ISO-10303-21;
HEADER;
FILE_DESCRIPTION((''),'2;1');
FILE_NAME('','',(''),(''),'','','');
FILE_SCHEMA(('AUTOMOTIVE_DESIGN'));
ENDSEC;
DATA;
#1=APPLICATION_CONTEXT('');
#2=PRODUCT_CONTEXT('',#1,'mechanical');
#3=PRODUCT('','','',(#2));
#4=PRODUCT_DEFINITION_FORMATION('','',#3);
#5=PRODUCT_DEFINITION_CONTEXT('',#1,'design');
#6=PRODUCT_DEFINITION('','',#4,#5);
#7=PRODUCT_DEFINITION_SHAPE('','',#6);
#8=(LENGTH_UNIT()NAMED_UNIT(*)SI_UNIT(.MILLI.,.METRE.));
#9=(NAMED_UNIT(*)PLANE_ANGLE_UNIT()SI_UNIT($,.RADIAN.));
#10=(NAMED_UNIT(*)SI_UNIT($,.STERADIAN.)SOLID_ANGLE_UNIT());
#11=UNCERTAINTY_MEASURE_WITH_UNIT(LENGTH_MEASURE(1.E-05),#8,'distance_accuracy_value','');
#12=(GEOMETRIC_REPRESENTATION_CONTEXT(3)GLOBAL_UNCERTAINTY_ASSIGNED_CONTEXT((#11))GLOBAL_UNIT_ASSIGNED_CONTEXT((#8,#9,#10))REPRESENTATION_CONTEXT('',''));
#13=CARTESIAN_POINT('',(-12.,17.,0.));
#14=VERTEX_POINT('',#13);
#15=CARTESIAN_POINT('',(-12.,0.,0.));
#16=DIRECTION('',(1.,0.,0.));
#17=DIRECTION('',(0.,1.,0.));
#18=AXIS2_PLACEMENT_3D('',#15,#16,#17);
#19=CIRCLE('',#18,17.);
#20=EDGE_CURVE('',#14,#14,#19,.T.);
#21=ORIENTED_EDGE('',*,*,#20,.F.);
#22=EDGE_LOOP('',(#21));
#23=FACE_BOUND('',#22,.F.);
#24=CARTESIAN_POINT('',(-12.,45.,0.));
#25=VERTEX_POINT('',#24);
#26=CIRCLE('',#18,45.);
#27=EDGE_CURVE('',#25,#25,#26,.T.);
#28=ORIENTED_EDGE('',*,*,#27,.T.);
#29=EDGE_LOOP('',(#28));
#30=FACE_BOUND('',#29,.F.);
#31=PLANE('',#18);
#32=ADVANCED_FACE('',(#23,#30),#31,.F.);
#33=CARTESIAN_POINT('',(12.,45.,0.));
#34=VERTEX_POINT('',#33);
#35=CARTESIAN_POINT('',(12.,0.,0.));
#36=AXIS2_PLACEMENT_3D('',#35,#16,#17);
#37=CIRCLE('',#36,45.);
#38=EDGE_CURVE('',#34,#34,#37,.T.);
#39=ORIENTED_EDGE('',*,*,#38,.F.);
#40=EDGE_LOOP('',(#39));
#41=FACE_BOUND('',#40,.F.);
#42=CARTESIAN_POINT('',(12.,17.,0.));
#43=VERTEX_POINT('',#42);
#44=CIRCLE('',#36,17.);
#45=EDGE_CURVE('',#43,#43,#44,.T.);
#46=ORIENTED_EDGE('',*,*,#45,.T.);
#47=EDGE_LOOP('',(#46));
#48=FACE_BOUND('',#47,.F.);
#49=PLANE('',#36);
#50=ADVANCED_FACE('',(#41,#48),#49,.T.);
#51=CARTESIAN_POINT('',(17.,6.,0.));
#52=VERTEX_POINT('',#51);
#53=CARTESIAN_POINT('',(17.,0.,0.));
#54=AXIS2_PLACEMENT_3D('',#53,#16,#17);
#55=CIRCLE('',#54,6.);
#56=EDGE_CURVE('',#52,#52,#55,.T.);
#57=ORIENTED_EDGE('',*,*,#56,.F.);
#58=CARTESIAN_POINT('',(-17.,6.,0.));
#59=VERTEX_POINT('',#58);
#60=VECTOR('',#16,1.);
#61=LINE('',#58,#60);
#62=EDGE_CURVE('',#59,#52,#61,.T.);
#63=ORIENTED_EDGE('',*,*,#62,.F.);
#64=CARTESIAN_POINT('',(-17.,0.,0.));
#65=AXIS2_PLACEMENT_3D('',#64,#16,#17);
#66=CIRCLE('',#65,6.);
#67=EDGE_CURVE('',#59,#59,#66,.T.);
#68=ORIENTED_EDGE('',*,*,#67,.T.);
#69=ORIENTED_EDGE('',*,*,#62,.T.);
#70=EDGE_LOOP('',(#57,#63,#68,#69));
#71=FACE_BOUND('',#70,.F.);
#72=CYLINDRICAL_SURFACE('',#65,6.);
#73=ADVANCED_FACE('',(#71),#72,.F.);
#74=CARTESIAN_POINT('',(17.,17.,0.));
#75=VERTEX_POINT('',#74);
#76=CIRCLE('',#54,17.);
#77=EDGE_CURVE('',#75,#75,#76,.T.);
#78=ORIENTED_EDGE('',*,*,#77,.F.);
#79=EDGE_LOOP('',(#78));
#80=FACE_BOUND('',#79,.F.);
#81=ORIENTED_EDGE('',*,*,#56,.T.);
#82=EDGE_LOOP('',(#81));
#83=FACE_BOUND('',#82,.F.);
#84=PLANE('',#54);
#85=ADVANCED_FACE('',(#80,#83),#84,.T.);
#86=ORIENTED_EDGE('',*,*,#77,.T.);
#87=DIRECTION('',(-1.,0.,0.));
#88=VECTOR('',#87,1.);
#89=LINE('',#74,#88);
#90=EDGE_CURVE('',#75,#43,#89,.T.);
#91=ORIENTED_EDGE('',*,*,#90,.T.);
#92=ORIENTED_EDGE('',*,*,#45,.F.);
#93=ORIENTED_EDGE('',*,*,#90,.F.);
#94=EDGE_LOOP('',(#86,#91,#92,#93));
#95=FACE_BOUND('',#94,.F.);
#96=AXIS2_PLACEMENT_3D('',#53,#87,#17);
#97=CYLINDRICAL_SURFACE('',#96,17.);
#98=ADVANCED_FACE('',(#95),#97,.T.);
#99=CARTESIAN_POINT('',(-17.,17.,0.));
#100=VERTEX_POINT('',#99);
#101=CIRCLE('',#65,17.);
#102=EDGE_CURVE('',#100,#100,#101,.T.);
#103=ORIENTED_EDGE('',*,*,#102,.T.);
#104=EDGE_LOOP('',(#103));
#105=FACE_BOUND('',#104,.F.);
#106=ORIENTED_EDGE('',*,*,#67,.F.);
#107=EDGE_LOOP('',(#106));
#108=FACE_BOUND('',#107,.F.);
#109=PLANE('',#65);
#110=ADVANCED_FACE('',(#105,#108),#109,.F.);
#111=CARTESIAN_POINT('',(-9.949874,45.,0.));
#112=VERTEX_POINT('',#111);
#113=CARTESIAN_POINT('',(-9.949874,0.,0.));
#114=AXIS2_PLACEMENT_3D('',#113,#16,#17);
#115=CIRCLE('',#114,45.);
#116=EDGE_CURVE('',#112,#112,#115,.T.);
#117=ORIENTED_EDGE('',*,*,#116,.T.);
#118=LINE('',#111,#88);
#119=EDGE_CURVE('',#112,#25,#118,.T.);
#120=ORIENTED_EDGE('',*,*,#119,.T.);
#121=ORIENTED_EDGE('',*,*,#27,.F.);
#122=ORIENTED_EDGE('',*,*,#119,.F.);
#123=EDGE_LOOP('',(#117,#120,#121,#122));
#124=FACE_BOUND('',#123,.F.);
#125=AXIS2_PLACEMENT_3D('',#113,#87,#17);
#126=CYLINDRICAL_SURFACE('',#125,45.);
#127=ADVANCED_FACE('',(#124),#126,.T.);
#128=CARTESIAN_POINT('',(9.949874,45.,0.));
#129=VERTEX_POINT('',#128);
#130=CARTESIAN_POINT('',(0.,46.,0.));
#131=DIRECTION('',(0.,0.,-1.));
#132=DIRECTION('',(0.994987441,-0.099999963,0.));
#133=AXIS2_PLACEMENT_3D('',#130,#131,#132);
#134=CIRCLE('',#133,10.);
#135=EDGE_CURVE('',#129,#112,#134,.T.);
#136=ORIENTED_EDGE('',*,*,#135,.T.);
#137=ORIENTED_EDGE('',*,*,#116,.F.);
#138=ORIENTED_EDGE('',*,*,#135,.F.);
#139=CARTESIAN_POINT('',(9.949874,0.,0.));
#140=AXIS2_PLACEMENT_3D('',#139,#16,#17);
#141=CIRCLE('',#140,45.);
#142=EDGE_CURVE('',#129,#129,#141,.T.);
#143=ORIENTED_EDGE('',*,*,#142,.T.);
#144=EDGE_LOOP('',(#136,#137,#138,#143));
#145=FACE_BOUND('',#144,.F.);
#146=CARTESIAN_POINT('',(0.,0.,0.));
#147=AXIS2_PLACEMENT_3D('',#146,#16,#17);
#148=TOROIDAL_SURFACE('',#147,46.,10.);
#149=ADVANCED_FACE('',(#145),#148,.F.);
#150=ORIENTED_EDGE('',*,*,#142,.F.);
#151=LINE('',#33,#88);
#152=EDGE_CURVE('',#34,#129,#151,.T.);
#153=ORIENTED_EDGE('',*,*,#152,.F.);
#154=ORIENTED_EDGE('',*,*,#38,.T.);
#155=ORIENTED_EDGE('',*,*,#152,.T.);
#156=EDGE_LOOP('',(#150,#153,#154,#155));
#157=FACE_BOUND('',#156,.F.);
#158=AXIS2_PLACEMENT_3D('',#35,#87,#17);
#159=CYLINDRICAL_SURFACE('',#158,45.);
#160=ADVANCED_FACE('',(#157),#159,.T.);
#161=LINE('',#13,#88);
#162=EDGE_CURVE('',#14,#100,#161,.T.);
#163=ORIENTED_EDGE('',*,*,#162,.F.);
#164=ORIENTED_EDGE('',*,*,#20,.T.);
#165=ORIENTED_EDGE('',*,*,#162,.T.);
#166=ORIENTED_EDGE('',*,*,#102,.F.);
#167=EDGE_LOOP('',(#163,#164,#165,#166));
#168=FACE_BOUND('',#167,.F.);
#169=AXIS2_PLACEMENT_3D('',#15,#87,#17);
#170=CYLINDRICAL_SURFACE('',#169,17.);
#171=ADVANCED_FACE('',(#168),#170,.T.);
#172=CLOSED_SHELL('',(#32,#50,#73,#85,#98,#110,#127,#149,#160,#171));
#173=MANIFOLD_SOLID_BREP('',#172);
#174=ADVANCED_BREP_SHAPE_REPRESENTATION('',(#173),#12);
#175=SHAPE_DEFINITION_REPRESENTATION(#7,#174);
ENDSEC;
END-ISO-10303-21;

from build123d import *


with BuildPart() as f1:
    # F0 (on Top) → F1 (revolve)
    with BuildSketch(Plane.XY):
        with BuildLine():
            Line((-17, 17), (-17, 6))
            Line((-17, 6), (0, 6))
            Line((0, 6), (17, 6))
            Line((17, 6), (17, 17))
            Line((17, 17), (12, 17))
            Line((12, 17), (12, 45))
            Line((12, 45), (9.949874, 45))
            ThreePointArc((9.949874, 45), (0, 36), (-9.949874, 45))
            Line((-9.949874, 45), (-12, 45))
            Line((-12, 45), (-12, 17))
            Line((-12, 17), (-17, 17))
        make_face()
    revolve(axis=Axis((3.716217, 0, 0), (1, 0, 0)))


solid = f1.part
